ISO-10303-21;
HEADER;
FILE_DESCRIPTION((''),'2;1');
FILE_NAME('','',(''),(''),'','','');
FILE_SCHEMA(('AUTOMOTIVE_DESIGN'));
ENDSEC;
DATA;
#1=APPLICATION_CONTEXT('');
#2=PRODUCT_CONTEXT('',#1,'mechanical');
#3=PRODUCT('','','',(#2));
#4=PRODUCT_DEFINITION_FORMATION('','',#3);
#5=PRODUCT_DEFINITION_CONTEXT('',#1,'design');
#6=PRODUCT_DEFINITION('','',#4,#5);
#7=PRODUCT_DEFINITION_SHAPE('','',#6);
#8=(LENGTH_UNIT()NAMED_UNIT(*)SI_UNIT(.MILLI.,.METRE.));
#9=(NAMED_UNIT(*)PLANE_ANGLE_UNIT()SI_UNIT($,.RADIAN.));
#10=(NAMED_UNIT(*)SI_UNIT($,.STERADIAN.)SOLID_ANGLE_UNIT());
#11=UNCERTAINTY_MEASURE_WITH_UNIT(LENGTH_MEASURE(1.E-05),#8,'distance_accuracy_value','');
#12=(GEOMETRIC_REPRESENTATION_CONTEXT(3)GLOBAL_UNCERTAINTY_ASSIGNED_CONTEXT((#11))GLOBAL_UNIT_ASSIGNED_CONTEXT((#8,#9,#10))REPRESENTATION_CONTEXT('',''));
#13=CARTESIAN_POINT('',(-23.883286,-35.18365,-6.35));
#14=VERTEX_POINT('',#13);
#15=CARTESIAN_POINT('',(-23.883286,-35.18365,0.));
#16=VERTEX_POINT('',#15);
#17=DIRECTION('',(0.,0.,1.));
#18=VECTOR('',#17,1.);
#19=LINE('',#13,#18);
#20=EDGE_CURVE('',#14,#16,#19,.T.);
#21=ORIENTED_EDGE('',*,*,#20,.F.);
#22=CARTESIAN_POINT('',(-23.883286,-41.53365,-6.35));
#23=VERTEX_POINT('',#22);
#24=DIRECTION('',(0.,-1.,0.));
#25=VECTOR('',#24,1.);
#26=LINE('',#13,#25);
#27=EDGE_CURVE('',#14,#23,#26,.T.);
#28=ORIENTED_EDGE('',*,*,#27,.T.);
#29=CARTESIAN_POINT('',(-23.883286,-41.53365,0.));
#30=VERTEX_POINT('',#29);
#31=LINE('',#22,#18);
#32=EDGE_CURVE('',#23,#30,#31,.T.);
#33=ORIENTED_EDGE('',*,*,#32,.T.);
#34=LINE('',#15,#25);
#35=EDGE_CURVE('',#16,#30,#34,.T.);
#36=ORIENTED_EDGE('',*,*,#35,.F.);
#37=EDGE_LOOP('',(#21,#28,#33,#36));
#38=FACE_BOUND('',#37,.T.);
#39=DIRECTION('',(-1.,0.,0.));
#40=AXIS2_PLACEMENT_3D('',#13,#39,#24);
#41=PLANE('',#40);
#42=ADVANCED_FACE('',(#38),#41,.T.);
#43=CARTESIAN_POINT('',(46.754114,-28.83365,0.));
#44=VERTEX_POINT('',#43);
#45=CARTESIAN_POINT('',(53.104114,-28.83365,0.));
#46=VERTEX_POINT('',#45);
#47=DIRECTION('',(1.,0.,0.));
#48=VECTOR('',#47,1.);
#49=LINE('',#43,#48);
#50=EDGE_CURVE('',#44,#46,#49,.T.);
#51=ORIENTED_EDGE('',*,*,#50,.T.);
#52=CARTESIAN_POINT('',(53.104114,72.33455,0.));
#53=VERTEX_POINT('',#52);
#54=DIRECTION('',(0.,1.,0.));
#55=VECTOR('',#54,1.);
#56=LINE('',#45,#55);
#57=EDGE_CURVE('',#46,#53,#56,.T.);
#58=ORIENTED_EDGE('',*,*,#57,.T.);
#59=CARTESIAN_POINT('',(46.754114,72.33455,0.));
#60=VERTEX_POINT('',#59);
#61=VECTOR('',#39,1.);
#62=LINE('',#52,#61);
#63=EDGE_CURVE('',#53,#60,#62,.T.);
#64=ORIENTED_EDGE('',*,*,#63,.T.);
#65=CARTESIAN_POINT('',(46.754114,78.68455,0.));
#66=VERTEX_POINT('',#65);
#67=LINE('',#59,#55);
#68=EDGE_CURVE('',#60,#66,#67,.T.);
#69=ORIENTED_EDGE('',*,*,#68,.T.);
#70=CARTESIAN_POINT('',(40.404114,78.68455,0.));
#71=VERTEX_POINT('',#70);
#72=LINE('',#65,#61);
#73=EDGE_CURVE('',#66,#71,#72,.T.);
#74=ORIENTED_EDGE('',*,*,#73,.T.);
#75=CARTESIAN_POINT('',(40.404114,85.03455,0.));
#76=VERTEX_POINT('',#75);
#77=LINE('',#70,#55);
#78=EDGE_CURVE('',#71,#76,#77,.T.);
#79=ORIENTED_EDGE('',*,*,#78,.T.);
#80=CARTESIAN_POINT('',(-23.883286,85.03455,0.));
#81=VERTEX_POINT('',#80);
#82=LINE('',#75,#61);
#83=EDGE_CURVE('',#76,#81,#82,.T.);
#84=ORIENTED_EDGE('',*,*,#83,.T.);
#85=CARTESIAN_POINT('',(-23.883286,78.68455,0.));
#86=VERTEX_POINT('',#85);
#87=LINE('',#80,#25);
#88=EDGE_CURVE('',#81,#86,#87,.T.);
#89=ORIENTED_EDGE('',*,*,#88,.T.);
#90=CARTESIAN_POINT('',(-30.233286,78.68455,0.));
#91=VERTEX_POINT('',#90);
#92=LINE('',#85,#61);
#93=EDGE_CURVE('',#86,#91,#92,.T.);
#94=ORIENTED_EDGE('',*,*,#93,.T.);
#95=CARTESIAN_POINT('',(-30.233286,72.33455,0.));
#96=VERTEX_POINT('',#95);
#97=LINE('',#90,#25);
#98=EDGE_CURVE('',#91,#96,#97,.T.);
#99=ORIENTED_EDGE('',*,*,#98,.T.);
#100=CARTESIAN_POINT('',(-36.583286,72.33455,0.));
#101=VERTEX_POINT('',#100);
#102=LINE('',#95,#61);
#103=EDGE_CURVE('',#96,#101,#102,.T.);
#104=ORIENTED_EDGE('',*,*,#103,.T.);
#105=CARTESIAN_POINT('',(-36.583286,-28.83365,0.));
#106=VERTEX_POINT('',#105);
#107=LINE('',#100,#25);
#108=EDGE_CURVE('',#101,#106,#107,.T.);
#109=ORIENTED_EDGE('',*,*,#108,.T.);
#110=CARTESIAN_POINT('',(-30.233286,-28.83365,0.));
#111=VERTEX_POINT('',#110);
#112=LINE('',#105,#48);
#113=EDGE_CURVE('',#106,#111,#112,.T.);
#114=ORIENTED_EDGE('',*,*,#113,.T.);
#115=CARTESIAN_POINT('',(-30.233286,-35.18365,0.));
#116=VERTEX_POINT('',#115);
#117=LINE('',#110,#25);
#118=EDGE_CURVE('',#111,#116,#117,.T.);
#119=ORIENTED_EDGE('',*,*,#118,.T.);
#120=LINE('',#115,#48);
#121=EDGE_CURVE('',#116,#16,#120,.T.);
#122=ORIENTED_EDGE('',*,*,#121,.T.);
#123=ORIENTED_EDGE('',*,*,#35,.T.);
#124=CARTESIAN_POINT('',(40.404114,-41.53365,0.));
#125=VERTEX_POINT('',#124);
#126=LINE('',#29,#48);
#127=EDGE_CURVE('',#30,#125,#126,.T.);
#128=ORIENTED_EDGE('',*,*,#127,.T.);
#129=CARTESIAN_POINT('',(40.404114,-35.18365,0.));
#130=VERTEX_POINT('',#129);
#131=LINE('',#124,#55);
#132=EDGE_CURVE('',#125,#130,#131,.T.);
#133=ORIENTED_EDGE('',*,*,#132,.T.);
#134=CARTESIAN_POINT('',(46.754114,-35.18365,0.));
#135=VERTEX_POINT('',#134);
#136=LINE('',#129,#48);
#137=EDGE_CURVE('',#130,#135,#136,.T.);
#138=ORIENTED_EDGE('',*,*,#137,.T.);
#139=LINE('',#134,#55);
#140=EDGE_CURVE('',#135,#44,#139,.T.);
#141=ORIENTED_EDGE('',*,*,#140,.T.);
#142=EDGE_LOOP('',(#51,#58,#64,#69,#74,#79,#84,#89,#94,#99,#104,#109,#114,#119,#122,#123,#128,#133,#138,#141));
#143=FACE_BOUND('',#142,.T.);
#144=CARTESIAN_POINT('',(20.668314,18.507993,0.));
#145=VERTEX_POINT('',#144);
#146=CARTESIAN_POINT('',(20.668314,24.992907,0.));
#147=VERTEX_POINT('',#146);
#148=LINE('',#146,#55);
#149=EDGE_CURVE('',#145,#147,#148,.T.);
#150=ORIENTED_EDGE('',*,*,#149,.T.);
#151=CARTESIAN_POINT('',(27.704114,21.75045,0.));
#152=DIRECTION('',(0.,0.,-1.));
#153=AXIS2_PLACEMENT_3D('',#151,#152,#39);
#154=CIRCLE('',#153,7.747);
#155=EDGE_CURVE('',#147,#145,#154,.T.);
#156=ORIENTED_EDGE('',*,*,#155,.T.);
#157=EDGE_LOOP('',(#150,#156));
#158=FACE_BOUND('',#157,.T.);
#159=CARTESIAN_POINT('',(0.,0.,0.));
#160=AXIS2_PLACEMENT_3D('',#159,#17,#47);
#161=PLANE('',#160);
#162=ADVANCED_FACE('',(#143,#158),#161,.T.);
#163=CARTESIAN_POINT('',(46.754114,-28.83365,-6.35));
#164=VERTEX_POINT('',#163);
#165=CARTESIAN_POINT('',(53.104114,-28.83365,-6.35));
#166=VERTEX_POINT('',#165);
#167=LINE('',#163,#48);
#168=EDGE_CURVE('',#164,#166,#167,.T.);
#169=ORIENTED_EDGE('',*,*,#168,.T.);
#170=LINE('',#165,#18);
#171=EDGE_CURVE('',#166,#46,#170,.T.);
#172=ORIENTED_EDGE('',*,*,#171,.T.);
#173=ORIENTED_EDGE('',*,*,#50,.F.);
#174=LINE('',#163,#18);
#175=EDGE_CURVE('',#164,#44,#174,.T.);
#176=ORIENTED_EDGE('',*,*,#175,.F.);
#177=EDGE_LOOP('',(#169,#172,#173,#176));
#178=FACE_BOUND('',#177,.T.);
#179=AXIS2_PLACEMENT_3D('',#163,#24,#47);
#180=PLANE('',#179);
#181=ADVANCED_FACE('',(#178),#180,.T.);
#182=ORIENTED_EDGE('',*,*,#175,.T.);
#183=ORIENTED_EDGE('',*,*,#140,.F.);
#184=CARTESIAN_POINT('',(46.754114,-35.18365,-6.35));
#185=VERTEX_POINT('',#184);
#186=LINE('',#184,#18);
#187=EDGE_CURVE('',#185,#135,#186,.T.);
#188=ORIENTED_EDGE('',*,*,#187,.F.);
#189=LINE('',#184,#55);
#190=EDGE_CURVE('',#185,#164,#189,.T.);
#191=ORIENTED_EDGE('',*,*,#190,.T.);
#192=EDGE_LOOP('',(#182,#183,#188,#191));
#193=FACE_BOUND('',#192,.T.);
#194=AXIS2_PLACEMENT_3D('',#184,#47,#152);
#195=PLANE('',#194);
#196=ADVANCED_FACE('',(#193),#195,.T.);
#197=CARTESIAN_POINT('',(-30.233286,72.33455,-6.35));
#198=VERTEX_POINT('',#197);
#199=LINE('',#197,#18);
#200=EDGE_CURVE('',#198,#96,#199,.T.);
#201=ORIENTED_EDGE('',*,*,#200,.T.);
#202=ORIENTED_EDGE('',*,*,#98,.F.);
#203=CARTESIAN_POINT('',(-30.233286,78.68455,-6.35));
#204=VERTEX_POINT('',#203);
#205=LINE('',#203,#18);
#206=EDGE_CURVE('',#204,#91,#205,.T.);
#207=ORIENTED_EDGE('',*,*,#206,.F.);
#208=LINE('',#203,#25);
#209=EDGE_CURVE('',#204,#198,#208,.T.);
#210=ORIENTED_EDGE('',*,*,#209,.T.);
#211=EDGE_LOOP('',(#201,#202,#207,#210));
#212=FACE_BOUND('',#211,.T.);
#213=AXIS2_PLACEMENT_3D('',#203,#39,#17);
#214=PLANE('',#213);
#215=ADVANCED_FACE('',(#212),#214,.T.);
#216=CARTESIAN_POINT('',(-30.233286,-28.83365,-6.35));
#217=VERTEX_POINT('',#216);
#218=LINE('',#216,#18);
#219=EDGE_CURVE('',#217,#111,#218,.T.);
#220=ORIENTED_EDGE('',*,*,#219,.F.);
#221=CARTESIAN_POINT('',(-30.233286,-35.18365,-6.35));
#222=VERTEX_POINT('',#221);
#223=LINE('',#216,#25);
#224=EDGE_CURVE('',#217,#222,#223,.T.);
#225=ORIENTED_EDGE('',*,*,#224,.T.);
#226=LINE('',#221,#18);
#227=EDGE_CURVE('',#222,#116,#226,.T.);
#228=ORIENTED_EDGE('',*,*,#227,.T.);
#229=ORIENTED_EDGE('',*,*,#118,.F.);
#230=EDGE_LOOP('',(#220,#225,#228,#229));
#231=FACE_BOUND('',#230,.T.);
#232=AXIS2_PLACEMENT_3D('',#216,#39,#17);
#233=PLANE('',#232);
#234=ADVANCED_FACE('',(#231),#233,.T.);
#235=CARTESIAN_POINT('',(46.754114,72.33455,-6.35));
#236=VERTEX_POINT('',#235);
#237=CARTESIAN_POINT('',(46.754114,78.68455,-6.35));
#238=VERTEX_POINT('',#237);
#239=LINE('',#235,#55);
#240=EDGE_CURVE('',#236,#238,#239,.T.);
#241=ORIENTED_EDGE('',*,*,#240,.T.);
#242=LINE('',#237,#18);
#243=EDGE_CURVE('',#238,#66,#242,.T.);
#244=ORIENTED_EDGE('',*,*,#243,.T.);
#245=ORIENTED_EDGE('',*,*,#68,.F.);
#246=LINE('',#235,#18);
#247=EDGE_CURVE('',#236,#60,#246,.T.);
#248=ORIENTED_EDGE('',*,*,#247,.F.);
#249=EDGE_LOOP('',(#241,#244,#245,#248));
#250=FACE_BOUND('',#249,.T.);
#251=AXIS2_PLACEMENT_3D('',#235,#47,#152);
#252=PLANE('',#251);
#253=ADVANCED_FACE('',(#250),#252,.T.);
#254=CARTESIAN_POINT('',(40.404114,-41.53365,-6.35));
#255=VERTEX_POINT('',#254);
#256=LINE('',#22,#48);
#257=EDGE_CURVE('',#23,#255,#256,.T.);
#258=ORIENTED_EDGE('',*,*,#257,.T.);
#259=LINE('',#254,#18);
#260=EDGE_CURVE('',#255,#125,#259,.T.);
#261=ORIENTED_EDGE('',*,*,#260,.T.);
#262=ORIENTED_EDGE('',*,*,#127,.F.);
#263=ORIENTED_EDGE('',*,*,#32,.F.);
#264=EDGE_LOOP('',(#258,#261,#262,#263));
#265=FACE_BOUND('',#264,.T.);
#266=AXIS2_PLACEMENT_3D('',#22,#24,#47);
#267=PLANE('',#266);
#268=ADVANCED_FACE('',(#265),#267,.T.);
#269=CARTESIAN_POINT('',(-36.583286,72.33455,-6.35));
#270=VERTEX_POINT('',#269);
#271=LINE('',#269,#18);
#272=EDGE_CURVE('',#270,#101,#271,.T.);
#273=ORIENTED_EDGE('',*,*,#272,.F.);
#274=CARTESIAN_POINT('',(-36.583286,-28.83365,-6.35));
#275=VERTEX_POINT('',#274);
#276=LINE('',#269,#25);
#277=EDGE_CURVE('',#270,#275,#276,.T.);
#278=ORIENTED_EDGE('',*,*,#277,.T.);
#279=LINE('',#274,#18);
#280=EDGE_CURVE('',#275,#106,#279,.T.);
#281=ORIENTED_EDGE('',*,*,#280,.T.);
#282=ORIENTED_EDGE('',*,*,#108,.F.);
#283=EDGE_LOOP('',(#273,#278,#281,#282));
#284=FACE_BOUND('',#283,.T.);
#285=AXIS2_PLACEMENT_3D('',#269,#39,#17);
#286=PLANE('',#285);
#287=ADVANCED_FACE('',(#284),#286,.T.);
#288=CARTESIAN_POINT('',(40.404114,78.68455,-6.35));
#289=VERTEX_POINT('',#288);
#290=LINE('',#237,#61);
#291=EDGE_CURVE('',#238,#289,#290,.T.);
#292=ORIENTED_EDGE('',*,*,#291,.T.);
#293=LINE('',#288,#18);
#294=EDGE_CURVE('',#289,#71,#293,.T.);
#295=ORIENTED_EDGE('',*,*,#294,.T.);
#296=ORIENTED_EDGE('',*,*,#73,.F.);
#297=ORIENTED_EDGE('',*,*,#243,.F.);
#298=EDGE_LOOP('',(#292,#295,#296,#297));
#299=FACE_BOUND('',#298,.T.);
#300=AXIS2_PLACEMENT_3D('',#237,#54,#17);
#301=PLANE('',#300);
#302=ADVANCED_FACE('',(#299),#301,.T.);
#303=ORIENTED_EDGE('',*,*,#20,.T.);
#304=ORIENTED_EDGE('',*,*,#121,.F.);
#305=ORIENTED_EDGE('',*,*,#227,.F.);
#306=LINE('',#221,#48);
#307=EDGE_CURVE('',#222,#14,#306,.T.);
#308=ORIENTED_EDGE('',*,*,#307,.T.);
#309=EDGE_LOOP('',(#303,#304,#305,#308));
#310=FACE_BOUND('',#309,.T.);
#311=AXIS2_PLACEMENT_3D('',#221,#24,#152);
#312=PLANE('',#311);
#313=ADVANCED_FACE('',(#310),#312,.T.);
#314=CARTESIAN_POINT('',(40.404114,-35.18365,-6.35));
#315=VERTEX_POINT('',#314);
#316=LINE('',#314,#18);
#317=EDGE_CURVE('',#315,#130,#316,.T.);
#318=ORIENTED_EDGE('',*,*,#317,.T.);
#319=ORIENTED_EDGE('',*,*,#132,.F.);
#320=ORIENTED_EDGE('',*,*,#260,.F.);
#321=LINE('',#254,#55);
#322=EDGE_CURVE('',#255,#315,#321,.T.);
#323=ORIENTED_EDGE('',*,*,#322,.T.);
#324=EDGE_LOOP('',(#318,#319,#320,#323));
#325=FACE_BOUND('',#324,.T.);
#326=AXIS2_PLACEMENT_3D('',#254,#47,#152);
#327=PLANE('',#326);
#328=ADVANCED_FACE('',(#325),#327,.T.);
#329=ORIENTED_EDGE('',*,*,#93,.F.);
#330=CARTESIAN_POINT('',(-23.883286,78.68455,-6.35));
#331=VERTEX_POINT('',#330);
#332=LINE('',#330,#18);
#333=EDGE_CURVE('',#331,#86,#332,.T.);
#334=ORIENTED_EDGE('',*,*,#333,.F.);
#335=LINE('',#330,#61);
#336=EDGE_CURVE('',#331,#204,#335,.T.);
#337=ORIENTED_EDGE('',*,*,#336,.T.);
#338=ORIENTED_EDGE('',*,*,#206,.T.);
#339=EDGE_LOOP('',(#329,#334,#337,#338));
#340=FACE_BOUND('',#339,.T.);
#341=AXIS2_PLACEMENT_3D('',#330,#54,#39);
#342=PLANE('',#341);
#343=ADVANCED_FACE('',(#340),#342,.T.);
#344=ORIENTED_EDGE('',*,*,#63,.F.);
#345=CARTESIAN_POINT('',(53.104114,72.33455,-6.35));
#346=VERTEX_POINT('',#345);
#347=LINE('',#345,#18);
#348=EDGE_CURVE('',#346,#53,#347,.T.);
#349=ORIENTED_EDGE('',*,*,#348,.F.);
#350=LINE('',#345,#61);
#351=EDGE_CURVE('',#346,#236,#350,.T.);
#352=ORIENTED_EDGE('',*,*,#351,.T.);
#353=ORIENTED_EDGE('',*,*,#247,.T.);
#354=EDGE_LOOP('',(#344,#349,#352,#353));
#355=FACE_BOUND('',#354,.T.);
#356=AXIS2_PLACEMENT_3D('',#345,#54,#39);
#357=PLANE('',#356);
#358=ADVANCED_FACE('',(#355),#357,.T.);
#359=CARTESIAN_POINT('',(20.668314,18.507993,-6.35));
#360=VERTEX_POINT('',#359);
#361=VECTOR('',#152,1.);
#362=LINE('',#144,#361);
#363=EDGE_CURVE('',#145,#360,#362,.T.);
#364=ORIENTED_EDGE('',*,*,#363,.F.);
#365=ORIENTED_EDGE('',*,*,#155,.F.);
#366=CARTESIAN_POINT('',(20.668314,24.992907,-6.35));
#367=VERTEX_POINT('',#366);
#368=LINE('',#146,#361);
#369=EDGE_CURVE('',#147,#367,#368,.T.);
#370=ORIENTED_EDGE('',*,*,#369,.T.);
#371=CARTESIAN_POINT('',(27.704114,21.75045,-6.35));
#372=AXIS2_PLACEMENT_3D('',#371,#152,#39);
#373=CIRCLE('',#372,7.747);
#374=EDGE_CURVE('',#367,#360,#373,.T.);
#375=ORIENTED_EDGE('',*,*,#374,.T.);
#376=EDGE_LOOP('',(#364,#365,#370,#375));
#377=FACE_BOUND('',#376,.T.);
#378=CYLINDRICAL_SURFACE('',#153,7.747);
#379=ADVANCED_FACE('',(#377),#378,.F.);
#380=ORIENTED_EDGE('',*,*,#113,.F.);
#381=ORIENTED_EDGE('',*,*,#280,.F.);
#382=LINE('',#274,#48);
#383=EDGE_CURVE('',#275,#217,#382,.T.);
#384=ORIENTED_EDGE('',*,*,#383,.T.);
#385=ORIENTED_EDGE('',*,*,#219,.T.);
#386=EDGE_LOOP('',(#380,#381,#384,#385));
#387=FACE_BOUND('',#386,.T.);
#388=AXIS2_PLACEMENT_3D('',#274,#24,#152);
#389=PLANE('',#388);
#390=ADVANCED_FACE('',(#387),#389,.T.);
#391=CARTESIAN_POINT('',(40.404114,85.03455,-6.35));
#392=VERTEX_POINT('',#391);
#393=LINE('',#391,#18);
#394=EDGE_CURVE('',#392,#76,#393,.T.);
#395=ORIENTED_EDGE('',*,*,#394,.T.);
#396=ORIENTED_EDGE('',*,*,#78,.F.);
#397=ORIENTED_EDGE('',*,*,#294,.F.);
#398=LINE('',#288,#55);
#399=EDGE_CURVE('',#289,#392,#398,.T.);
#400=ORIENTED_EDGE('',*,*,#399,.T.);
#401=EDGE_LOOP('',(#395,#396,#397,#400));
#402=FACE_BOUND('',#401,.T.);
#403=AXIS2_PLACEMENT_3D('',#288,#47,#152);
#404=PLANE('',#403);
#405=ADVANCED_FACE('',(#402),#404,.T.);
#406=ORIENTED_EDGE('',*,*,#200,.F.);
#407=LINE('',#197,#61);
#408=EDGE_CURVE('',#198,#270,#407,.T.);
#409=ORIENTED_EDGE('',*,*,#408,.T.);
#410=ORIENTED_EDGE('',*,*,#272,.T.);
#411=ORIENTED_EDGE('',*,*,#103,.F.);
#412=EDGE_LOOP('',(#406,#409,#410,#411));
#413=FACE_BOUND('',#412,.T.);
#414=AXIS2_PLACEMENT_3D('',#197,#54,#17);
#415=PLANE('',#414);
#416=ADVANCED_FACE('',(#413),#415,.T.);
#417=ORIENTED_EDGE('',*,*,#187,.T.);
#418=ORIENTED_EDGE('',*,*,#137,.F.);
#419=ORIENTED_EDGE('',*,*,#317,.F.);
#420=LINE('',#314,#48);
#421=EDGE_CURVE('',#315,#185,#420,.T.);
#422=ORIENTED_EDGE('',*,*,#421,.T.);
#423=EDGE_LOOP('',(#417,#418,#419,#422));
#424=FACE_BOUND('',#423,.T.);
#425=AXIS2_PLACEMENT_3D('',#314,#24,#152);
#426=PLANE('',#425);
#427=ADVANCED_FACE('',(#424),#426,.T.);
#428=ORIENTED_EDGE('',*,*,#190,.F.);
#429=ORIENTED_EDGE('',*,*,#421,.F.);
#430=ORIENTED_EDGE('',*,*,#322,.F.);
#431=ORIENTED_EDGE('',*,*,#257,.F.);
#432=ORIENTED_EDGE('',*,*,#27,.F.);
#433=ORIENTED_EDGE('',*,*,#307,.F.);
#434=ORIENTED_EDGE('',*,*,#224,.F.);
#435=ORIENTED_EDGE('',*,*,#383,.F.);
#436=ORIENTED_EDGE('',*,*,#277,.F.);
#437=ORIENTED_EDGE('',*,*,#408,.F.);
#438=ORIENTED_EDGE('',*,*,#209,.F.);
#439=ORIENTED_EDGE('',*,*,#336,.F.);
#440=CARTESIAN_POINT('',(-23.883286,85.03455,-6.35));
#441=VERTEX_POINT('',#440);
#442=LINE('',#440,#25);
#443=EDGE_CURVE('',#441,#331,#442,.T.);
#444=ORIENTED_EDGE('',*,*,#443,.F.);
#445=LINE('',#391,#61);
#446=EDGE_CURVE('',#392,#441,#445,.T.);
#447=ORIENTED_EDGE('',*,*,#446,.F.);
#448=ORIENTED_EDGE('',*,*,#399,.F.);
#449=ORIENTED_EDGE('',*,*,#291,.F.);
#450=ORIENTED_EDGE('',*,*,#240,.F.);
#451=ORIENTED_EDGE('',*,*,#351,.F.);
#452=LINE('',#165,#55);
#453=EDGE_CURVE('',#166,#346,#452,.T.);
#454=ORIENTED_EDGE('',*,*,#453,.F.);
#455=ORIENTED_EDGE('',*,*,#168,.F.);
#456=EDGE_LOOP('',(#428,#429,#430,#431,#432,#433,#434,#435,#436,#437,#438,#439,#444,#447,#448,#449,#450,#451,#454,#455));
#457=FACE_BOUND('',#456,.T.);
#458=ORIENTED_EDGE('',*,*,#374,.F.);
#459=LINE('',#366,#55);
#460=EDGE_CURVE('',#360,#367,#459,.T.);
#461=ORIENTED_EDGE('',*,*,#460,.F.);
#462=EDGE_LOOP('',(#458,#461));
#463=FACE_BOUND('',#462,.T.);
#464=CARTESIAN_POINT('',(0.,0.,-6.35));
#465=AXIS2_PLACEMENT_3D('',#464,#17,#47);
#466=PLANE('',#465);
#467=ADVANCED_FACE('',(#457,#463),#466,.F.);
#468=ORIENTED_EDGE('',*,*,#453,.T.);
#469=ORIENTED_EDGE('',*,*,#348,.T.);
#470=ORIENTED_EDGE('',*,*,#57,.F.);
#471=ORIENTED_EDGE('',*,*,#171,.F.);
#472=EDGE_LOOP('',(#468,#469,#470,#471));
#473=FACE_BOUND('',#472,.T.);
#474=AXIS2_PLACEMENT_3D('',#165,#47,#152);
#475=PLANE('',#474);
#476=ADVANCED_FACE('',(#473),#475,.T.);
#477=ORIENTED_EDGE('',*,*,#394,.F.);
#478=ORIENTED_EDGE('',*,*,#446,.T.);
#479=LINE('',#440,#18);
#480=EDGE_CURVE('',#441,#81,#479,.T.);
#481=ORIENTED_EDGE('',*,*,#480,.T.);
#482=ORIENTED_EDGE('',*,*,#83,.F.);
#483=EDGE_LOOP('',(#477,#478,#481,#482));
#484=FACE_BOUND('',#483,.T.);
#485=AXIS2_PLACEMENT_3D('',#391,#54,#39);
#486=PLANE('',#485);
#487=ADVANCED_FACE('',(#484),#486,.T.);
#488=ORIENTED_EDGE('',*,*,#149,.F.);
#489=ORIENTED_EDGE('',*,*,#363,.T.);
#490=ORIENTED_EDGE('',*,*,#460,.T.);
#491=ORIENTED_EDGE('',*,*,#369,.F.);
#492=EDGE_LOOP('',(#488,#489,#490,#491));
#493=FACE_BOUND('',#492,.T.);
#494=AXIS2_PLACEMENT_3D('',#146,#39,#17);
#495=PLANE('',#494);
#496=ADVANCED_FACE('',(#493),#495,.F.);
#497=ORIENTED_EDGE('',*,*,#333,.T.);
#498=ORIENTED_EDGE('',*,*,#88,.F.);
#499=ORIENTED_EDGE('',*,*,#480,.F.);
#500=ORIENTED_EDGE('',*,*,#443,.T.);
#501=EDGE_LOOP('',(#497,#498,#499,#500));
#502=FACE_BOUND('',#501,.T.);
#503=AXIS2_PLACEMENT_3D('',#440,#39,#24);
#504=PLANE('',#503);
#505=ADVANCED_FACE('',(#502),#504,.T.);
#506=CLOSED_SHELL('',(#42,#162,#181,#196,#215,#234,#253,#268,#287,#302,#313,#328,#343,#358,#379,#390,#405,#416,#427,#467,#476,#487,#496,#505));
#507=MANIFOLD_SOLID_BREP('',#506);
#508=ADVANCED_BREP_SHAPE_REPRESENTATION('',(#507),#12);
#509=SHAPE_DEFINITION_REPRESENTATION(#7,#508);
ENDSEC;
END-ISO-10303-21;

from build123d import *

# Parameters (mm, degrees)
BOSS_EXTRUDE1_DEPTH = 6.35
CUT_EXTRUDE1_DEPTH  = 101.455184316


with BuildPart() as part:
    # Sketch1 → Boss-Extrude1 (new body)
    with BuildSketch(Plane.XY):
        Polygon((-30.233286112, -35.183650292), (-23.883286112, -35.183650292), (-23.883286112, -41.533650292), (40.404113888, -41.533650292), (40.404113888, -35.183650292), (46.754113888, -35.183650292), (46.754113888, -28.833650292), (53.104113888, -28.833650292), (53.104113888, 72.334549708), (46.754113888, 72.334549708), (46.754113888, 78.684549708), (40.404113888, 78.684549708), (40.404113888, 85.034549708), (-23.883286112, 85.034549708), (-23.883286112, 78.684549708), (-30.233286112, 78.684549708), (-30.233286112, 72.334549708), (-36.583286112, 72.334549708), (-36.583286112, -28.833650292), (-30.233286112, -28.833650292), align=None)
    extrude(amount=-BOSS_EXTRUDE1_DEPTH)

    # Sketch2 → Cut-Extrude1 (cut, through all)
    with BuildSketch(Plane(origin=(0, 0, -6.35), x_dir=(-1, 0, 0), z_dir=(0, 0, -1))):
        with BuildLine():
            Line((-20.668313863, 24.992906647), (-20.668313863, 18.507992769))
            ThreePointArc((-20.668313863, 18.507992769), (-35.451113888, 21.750449708), (-20.668313863, 24.992906647))
        make_face()
    extrude(amount=-CUT_EXTRUDE1_DEPTH, mode=Mode.SUBTRACT)


solid = part.part
